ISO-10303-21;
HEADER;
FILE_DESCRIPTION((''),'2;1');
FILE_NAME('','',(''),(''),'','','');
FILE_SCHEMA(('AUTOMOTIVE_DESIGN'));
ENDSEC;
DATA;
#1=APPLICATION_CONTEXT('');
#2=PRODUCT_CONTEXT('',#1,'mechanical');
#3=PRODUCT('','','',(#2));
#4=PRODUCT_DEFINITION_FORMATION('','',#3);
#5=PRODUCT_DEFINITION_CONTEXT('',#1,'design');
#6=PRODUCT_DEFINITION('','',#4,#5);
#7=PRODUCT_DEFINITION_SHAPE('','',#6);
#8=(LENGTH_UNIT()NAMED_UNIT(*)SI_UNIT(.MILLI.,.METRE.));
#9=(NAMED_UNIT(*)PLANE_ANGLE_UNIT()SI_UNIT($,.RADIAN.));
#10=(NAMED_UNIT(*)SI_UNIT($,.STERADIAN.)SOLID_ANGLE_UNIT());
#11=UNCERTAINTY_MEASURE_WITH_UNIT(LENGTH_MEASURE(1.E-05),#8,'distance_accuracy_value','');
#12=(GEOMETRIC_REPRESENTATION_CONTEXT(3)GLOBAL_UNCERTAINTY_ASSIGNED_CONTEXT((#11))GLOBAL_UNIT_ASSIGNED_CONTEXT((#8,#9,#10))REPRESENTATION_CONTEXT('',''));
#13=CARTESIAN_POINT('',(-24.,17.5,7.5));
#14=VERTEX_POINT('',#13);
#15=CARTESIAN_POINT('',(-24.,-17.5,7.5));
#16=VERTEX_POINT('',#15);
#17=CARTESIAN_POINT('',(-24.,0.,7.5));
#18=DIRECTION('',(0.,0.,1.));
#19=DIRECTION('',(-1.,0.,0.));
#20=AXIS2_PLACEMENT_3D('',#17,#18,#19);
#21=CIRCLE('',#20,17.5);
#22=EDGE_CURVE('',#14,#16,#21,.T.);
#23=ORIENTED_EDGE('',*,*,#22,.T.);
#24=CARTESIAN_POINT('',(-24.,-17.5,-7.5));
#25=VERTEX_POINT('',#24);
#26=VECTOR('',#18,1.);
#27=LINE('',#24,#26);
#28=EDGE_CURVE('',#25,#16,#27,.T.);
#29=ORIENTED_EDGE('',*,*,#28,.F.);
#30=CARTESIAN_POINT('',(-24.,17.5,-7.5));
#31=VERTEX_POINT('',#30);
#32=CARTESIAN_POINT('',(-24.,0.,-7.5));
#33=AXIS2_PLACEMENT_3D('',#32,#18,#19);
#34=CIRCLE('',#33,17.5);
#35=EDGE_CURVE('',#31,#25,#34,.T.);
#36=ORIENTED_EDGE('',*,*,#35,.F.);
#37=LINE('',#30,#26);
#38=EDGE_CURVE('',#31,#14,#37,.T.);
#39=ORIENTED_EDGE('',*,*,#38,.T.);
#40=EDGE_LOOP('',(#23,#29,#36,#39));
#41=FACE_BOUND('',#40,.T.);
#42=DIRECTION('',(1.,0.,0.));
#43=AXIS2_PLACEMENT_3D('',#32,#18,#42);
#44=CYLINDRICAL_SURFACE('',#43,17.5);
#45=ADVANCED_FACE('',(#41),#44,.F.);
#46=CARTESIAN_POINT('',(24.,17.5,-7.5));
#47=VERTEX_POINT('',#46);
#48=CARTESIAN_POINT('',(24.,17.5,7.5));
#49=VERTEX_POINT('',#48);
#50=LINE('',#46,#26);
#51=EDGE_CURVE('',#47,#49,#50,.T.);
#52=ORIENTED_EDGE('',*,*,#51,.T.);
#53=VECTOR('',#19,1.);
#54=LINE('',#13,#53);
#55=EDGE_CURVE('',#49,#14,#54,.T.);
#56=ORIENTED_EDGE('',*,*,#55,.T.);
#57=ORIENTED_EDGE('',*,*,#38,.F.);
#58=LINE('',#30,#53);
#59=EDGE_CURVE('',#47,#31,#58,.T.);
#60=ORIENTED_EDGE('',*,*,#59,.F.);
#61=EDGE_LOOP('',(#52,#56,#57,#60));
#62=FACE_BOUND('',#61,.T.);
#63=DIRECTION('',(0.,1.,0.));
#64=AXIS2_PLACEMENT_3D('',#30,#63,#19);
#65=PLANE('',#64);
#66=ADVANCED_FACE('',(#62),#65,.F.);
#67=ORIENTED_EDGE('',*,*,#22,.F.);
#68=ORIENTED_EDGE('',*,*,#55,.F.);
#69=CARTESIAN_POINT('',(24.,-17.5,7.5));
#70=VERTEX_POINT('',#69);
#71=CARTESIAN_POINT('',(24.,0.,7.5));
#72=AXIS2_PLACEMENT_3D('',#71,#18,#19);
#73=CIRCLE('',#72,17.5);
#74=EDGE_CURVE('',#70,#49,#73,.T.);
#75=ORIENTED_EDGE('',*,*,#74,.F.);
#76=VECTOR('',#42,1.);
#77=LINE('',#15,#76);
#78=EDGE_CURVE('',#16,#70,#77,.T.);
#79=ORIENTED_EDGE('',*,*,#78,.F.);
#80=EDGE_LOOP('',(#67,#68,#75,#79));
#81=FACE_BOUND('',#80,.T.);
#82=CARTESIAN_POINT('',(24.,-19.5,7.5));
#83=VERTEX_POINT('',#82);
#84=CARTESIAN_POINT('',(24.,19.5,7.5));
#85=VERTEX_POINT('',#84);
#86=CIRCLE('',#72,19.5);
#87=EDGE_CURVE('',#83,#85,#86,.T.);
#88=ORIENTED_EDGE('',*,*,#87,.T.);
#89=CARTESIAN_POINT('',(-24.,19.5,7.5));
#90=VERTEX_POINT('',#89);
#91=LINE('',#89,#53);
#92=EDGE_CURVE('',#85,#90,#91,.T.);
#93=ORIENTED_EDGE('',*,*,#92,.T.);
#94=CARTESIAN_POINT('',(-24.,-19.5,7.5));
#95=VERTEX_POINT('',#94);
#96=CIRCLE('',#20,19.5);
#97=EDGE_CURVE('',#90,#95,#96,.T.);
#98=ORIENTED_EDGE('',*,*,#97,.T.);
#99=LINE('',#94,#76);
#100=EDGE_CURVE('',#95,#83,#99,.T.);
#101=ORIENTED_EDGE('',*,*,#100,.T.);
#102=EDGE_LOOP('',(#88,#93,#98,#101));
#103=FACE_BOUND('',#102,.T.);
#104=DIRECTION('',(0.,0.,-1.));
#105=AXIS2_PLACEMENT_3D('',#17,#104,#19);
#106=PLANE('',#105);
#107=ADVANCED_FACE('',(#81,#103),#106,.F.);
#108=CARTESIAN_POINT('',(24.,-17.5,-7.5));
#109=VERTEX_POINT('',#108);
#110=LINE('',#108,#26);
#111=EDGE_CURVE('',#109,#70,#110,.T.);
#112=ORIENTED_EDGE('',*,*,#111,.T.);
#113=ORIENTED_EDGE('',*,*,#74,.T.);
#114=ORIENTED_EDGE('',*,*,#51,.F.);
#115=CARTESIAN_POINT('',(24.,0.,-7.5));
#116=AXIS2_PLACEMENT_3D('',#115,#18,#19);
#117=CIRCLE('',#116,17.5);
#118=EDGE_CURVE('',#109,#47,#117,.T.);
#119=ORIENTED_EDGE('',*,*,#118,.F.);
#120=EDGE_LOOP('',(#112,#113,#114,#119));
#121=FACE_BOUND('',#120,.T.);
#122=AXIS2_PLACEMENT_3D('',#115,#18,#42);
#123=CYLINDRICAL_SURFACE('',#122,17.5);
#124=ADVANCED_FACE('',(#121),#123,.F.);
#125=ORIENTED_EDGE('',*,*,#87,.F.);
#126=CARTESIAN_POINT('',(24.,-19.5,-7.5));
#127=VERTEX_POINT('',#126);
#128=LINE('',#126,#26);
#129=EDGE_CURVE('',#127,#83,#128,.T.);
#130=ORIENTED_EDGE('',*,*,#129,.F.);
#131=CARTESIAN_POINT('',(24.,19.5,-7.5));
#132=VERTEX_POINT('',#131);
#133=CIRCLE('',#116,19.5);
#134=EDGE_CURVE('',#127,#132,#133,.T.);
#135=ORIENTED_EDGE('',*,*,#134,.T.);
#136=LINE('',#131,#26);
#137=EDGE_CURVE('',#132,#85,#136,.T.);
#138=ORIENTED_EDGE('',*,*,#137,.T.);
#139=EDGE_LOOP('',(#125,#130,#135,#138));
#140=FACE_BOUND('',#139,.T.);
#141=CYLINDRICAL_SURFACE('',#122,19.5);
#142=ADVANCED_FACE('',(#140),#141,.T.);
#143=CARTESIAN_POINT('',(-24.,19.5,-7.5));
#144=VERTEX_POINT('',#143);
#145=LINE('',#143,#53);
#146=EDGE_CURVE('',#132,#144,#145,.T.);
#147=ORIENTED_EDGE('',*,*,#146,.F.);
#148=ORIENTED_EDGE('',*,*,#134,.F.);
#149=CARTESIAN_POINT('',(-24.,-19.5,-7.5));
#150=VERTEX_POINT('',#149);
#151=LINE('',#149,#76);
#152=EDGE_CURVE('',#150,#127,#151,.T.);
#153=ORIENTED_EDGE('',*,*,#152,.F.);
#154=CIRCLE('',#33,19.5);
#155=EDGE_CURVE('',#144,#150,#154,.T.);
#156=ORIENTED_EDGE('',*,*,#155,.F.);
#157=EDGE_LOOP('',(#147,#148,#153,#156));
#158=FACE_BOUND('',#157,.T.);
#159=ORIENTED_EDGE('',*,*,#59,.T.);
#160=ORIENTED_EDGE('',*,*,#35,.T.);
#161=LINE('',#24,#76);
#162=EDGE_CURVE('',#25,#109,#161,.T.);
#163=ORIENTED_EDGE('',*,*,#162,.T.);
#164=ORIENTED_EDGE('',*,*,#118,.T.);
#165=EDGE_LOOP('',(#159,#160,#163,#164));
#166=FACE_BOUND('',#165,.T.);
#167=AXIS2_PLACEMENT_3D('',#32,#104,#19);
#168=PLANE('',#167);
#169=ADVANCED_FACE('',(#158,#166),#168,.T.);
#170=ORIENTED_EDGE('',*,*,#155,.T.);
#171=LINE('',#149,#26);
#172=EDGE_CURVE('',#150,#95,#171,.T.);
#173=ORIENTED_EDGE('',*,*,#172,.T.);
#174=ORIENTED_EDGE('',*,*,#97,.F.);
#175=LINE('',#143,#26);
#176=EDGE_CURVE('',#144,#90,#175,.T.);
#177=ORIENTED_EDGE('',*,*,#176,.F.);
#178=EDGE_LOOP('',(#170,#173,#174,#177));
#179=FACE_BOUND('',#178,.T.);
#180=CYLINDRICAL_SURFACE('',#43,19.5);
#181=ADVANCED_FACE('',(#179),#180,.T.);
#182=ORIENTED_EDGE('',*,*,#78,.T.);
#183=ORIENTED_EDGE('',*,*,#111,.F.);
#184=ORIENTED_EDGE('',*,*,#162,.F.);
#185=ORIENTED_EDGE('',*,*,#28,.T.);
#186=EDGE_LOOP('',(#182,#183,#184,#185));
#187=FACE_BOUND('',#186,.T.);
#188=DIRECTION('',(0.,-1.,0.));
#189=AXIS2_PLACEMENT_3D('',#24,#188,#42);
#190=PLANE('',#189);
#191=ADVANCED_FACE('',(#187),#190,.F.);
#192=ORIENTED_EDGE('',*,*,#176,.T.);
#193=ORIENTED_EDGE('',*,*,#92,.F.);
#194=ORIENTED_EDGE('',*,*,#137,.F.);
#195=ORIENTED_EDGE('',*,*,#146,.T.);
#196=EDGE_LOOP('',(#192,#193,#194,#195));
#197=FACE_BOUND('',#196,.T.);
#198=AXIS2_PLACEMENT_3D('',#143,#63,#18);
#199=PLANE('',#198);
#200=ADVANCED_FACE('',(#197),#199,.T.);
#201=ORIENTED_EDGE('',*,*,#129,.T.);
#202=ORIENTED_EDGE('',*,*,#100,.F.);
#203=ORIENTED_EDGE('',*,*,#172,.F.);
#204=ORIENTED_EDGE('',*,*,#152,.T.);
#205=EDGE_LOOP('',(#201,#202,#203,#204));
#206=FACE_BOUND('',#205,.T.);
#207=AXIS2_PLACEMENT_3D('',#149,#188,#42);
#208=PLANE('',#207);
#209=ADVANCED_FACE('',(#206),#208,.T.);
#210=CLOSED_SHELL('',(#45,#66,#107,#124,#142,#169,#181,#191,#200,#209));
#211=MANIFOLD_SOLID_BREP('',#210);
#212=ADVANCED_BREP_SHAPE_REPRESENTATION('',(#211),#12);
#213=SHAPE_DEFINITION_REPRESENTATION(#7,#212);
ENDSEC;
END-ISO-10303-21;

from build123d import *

# Parameters (mm, degrees)
BOSS_EXTRUDE1_DEPTH      = 7.5
BOSS_EXTRUDE1_DEPTH_BACK = 7.5


with BuildPart() as part:
    # Sketch1 → Boss-Extrude1 (new, two sides: drawn at the far end of the back side and taken through both)
    with BuildSketch(Plane.XY.offset(-BOSS_EXTRUDE1_DEPTH_BACK)):
        with BuildLine():
            Line((-24, 19.5), (24, 19.5))
            ThreePointArc((24, 19.5), (43.5, 0), (24, -19.5))
            Line((24, -19.5), (-24, -19.5))
            ThreePointArc((-24, -19.5), (-43.5, 0), (-24, 19.5))
        make_face()
        with BuildLine():
            Line((-24, 17.5), (24, 17.5))
            ThreePointArc((24, 17.5), (41.5, 0), (24, -17.5))
            Line((24, -17.5), (-24, -17.5))
            ThreePointArc((-24, -17.5), (-41.5, 0), (-24, 17.5))
        make_face(mode=Mode.SUBTRACT)
    extrude(amount=BOSS_EXTRUDE1_DEPTH + BOSS_EXTRUDE1_DEPTH_BACK)


solid = part.part
